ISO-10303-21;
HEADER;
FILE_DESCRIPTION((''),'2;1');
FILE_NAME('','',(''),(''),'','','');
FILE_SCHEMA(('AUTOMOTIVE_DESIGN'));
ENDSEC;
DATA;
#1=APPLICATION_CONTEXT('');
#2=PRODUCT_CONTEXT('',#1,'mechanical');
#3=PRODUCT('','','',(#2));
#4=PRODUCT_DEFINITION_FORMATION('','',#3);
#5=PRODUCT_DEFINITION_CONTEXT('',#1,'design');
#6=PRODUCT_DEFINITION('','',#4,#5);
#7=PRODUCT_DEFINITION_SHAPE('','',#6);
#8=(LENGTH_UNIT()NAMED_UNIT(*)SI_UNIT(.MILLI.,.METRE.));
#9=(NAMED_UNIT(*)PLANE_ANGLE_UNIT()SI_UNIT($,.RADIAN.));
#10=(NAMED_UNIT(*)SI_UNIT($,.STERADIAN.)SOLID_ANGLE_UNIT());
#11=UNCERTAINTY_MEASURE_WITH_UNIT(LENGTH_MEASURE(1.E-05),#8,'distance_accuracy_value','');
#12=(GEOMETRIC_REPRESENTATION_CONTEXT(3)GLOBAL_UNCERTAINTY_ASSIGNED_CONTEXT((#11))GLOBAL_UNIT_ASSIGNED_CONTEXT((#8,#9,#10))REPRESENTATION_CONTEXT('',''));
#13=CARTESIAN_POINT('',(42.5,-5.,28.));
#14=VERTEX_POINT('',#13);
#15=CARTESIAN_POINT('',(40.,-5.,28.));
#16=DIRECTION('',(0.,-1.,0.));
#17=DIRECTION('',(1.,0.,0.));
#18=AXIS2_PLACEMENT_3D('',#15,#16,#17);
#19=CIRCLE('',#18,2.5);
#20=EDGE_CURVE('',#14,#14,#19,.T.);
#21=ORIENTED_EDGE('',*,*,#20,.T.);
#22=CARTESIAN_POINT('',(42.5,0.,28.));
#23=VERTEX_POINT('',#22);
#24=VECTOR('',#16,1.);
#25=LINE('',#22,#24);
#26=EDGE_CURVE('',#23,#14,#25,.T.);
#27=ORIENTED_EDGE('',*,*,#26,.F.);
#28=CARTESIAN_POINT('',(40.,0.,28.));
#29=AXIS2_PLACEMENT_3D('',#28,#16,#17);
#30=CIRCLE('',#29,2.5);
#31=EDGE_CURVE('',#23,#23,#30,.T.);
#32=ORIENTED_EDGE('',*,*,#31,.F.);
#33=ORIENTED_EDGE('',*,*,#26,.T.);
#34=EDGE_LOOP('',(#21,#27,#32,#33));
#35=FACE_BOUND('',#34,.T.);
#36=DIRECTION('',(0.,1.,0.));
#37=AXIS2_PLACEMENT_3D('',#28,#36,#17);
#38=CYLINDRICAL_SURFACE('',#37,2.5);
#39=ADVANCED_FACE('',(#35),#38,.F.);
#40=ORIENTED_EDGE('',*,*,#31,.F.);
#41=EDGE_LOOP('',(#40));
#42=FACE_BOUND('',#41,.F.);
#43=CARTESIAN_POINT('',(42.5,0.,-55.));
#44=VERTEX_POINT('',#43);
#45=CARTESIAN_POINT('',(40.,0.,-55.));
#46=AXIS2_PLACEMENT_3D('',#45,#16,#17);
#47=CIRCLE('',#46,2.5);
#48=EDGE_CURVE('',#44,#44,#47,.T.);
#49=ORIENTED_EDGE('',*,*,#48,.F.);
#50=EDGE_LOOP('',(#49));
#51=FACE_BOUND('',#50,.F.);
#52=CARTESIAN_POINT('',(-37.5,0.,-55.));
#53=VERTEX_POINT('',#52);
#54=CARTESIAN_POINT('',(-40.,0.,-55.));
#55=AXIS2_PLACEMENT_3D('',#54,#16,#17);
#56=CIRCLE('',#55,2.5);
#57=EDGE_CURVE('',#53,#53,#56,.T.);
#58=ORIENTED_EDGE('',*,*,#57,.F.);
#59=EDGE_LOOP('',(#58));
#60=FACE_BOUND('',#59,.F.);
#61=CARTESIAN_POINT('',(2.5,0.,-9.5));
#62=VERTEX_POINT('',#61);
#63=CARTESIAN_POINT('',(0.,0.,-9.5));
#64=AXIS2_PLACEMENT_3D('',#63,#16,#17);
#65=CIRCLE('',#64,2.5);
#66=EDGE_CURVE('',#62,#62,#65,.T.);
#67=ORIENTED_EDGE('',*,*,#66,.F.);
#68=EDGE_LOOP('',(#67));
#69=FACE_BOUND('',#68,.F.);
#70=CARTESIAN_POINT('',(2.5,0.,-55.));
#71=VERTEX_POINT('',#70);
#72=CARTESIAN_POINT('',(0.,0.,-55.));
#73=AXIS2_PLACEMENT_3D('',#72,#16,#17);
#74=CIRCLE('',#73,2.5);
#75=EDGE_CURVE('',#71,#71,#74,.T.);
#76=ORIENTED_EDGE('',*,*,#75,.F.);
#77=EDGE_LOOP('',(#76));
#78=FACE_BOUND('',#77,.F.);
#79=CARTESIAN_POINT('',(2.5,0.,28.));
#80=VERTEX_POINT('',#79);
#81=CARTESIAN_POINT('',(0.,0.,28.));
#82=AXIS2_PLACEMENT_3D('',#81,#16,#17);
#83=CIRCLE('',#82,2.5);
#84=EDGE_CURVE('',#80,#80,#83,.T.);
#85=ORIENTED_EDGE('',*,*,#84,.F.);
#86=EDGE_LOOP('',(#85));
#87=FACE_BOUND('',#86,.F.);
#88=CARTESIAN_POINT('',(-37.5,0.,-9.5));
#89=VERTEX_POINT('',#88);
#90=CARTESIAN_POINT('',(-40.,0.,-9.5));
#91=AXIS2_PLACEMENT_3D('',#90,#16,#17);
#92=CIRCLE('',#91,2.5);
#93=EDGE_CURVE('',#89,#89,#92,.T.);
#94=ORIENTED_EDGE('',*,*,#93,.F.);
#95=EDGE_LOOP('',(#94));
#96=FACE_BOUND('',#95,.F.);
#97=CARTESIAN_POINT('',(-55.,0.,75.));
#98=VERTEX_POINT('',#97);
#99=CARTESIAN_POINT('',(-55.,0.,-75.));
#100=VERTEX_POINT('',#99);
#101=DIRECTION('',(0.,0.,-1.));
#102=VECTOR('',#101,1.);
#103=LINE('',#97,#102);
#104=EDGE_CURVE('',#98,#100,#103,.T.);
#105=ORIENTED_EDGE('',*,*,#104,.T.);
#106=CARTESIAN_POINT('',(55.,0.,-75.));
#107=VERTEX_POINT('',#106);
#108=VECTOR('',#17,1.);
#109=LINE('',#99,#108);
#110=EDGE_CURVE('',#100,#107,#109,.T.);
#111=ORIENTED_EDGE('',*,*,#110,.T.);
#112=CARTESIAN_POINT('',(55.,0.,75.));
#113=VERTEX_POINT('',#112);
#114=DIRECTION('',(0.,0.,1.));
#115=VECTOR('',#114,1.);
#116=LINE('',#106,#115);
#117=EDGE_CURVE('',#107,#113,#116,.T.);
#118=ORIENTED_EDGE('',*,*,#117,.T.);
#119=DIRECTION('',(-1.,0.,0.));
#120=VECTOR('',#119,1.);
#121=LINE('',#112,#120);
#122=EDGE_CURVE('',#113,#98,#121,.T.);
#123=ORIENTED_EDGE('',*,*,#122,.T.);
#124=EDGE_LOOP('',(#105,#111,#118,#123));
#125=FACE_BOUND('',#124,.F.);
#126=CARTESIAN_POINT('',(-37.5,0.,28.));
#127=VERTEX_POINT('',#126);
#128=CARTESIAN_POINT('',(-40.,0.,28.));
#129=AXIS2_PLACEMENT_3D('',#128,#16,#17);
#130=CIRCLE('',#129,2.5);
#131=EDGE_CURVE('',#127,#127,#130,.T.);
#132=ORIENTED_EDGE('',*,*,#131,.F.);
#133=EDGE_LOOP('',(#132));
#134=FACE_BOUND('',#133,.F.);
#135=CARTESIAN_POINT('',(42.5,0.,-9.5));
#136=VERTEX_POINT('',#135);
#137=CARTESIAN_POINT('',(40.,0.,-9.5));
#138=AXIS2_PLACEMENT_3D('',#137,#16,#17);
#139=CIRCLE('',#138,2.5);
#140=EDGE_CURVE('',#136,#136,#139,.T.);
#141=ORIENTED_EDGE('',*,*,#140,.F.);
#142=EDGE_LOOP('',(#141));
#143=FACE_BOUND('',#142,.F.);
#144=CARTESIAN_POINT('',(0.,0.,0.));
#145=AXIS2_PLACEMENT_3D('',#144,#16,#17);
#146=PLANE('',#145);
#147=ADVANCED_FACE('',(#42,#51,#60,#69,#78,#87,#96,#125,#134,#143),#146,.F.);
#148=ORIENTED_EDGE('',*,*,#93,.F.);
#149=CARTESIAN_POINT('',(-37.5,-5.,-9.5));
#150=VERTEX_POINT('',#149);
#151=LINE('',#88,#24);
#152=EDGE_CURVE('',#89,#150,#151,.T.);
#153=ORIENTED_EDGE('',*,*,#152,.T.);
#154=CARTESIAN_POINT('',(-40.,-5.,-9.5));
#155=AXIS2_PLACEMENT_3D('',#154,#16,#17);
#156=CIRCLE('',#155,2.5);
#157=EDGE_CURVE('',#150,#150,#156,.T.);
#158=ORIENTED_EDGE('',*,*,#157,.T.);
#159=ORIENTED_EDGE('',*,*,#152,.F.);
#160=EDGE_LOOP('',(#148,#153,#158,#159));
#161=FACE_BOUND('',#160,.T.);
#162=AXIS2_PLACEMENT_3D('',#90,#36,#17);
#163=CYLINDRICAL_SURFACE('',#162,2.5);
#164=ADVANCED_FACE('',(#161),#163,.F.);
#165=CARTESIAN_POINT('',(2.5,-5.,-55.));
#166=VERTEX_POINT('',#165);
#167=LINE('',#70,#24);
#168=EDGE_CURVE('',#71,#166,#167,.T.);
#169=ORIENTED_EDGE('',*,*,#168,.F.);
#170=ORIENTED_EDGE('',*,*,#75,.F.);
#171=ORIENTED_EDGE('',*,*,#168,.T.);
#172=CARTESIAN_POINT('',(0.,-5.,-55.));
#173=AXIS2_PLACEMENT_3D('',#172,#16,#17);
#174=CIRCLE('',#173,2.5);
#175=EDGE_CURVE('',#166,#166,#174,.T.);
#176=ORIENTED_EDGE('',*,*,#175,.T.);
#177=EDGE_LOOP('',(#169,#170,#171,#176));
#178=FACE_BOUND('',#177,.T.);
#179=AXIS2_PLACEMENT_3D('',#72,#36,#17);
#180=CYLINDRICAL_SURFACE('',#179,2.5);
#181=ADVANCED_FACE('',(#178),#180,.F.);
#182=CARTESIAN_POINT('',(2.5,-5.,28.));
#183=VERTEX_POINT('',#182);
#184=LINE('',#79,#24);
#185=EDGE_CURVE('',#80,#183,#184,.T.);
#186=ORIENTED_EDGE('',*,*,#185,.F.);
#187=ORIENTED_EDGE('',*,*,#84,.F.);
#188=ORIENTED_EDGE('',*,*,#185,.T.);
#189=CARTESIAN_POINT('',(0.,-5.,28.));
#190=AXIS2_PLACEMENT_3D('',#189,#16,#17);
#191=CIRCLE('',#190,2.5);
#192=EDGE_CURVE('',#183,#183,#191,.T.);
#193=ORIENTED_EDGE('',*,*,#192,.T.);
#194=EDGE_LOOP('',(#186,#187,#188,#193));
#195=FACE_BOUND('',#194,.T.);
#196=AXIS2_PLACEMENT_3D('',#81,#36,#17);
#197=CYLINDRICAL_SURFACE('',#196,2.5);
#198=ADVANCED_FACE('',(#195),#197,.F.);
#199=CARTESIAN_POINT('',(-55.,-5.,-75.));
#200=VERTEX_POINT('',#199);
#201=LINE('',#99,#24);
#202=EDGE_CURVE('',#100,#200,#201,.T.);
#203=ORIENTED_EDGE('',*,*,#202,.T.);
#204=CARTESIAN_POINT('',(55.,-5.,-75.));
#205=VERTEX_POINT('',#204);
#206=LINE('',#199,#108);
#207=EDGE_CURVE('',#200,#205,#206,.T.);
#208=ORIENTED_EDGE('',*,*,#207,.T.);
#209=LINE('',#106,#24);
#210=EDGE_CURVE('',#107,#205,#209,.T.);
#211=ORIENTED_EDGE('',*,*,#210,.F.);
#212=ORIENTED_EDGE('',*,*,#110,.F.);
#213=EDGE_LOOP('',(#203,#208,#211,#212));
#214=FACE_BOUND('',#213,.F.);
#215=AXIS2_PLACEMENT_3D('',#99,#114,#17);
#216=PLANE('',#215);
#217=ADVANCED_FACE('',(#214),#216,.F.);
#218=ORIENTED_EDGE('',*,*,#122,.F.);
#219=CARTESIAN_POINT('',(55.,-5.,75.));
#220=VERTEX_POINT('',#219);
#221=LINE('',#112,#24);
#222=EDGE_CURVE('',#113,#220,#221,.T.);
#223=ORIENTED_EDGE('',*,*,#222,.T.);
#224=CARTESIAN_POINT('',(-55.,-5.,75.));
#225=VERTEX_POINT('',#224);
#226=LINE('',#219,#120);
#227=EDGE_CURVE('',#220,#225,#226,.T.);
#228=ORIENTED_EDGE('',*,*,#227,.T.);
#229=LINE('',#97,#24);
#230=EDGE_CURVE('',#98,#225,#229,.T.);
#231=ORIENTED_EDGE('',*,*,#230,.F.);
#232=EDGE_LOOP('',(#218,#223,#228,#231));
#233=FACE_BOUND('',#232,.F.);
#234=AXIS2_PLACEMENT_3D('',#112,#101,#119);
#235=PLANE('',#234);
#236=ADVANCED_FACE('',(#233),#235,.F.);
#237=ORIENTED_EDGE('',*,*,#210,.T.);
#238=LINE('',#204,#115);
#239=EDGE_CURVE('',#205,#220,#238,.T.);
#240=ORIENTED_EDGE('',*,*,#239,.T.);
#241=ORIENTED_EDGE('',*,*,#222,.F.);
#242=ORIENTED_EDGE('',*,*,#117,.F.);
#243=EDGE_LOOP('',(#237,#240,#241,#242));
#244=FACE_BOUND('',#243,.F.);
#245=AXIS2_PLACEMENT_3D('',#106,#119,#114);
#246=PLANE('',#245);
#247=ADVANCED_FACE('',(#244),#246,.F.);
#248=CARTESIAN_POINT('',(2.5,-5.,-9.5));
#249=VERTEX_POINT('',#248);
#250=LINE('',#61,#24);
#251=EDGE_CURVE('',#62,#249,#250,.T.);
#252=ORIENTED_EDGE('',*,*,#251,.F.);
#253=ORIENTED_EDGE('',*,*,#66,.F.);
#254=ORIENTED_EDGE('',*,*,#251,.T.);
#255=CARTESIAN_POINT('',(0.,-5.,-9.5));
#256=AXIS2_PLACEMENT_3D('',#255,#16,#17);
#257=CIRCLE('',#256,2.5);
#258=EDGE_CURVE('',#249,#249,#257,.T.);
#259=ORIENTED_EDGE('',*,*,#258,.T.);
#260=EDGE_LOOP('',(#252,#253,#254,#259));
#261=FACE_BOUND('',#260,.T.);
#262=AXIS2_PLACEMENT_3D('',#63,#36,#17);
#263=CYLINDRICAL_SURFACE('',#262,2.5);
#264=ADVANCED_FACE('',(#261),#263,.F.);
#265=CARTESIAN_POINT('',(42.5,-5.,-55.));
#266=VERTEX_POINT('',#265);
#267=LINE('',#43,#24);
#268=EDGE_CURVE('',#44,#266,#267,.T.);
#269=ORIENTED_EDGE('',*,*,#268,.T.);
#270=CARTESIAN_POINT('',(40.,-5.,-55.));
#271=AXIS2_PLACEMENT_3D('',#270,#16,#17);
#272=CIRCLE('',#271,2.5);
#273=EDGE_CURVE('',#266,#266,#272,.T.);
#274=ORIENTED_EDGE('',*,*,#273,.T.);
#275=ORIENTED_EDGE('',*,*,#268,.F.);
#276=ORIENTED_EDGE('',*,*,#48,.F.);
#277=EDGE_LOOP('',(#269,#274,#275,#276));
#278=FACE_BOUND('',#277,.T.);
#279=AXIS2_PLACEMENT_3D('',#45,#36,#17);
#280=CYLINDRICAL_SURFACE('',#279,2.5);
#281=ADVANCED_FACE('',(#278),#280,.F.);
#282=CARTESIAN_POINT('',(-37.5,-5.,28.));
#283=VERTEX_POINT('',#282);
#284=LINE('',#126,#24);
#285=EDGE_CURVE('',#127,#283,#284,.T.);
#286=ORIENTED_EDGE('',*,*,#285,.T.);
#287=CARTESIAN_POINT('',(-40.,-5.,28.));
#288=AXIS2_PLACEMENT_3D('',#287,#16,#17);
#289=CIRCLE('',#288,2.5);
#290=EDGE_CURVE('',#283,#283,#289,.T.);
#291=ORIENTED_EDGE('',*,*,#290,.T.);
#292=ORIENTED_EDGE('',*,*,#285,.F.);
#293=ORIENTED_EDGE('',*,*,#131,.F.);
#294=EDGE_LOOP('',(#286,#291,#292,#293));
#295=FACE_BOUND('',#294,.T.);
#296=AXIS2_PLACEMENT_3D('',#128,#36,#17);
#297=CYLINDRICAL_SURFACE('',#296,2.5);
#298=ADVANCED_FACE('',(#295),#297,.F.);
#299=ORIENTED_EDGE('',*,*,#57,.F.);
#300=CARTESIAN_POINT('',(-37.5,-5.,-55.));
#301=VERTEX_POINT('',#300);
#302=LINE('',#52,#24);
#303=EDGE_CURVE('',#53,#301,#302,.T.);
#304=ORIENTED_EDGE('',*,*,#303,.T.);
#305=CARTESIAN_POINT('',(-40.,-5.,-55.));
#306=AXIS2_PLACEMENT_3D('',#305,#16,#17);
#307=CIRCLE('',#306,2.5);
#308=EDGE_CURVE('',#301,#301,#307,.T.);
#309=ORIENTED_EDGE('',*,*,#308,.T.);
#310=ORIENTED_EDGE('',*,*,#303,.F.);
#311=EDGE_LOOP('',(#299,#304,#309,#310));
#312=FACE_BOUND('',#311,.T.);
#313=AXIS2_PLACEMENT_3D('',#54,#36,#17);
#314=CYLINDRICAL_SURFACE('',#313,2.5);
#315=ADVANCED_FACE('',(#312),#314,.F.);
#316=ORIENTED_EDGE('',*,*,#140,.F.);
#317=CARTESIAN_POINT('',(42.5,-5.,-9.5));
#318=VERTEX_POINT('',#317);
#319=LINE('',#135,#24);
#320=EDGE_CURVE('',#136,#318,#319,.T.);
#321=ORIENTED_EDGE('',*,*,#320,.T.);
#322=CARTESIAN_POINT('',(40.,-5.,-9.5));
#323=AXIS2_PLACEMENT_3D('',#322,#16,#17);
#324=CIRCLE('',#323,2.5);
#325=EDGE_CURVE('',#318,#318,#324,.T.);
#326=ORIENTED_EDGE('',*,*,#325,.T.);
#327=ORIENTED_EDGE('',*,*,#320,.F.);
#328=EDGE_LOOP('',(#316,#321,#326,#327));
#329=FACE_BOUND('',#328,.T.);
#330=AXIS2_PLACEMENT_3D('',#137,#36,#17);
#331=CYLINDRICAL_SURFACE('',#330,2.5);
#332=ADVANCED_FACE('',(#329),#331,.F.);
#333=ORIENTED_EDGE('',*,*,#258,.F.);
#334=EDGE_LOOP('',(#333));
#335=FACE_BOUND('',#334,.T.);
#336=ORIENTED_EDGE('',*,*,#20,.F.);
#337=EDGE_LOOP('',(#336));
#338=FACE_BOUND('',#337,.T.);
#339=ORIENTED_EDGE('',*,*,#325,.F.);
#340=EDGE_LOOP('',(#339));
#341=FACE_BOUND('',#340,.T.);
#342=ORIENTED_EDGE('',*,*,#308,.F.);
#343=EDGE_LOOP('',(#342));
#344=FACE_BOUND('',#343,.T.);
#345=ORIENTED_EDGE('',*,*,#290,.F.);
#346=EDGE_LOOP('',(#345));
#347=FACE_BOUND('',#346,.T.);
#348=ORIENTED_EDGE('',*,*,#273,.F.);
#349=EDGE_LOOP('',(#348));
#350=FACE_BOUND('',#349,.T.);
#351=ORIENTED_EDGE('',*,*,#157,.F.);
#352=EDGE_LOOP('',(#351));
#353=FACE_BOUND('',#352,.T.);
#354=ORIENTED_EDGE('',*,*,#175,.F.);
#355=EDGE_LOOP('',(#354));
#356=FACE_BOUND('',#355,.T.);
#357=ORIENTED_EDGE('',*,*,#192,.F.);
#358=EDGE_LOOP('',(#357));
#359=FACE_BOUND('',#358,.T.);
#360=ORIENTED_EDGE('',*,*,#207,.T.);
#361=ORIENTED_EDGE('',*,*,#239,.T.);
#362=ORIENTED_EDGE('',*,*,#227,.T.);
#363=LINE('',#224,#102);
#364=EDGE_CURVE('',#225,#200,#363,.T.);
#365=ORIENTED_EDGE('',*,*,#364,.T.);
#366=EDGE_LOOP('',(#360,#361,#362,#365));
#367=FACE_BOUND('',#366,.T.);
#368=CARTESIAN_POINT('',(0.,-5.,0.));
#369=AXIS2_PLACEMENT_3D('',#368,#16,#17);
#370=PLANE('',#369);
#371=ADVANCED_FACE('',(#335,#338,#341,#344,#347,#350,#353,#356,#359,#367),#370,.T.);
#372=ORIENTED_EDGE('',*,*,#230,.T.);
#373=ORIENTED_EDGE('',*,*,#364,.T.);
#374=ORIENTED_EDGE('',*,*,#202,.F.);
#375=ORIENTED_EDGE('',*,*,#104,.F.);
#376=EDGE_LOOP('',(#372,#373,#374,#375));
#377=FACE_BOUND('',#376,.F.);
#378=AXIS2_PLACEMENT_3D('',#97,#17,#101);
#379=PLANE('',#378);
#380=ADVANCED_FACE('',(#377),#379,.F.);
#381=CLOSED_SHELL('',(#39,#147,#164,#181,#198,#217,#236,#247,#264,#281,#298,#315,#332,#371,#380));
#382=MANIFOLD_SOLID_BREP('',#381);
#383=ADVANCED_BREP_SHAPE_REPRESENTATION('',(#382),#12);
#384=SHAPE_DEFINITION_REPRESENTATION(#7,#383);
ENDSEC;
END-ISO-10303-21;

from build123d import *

# Parameters (mm, degrees)
F0_R     = 2.5
F1_DEPTH = 5


with BuildPart() as f1:
    # F0 (on Front) → F1 (new body)
    with BuildSketch(Plane.XZ):
        Polygon((-55, -75), (55, -75), (55, 75), (0, 75), (-55, 75), (-55, 38.300177), align=None)
        with Locations((-40, -55)):
            Circle(F0_R, mode=Mode.SUBTRACT)
        with Locations((-40, -9.5)):
            Circle(F0_R, mode=Mode.SUBTRACT)
        with Locations((0, -55)):
            Circle(F0_R, mode=Mode.SUBTRACT)
        with Locations((40, -55)):
            Circle(F0_R, mode=Mode.SUBTRACT)
        with Locations((0, -9.5)):
            Circle(F0_R, mode=Mode.SUBTRACT)
        with Locations((40, -9.5)):
            Circle(F0_R, mode=Mode.SUBTRACT)
        with Locations((-40, 28)):
            Circle(F0_R, mode=Mode.SUBTRACT)
        with Locations((0, 28)):
            Circle(F0_R, mode=Mode.SUBTRACT)
        with Locations((40, 28)):
            Circle(F0_R, mode=Mode.SUBTRACT)
    extrude(amount=F1_DEPTH)


solid = f1.part
